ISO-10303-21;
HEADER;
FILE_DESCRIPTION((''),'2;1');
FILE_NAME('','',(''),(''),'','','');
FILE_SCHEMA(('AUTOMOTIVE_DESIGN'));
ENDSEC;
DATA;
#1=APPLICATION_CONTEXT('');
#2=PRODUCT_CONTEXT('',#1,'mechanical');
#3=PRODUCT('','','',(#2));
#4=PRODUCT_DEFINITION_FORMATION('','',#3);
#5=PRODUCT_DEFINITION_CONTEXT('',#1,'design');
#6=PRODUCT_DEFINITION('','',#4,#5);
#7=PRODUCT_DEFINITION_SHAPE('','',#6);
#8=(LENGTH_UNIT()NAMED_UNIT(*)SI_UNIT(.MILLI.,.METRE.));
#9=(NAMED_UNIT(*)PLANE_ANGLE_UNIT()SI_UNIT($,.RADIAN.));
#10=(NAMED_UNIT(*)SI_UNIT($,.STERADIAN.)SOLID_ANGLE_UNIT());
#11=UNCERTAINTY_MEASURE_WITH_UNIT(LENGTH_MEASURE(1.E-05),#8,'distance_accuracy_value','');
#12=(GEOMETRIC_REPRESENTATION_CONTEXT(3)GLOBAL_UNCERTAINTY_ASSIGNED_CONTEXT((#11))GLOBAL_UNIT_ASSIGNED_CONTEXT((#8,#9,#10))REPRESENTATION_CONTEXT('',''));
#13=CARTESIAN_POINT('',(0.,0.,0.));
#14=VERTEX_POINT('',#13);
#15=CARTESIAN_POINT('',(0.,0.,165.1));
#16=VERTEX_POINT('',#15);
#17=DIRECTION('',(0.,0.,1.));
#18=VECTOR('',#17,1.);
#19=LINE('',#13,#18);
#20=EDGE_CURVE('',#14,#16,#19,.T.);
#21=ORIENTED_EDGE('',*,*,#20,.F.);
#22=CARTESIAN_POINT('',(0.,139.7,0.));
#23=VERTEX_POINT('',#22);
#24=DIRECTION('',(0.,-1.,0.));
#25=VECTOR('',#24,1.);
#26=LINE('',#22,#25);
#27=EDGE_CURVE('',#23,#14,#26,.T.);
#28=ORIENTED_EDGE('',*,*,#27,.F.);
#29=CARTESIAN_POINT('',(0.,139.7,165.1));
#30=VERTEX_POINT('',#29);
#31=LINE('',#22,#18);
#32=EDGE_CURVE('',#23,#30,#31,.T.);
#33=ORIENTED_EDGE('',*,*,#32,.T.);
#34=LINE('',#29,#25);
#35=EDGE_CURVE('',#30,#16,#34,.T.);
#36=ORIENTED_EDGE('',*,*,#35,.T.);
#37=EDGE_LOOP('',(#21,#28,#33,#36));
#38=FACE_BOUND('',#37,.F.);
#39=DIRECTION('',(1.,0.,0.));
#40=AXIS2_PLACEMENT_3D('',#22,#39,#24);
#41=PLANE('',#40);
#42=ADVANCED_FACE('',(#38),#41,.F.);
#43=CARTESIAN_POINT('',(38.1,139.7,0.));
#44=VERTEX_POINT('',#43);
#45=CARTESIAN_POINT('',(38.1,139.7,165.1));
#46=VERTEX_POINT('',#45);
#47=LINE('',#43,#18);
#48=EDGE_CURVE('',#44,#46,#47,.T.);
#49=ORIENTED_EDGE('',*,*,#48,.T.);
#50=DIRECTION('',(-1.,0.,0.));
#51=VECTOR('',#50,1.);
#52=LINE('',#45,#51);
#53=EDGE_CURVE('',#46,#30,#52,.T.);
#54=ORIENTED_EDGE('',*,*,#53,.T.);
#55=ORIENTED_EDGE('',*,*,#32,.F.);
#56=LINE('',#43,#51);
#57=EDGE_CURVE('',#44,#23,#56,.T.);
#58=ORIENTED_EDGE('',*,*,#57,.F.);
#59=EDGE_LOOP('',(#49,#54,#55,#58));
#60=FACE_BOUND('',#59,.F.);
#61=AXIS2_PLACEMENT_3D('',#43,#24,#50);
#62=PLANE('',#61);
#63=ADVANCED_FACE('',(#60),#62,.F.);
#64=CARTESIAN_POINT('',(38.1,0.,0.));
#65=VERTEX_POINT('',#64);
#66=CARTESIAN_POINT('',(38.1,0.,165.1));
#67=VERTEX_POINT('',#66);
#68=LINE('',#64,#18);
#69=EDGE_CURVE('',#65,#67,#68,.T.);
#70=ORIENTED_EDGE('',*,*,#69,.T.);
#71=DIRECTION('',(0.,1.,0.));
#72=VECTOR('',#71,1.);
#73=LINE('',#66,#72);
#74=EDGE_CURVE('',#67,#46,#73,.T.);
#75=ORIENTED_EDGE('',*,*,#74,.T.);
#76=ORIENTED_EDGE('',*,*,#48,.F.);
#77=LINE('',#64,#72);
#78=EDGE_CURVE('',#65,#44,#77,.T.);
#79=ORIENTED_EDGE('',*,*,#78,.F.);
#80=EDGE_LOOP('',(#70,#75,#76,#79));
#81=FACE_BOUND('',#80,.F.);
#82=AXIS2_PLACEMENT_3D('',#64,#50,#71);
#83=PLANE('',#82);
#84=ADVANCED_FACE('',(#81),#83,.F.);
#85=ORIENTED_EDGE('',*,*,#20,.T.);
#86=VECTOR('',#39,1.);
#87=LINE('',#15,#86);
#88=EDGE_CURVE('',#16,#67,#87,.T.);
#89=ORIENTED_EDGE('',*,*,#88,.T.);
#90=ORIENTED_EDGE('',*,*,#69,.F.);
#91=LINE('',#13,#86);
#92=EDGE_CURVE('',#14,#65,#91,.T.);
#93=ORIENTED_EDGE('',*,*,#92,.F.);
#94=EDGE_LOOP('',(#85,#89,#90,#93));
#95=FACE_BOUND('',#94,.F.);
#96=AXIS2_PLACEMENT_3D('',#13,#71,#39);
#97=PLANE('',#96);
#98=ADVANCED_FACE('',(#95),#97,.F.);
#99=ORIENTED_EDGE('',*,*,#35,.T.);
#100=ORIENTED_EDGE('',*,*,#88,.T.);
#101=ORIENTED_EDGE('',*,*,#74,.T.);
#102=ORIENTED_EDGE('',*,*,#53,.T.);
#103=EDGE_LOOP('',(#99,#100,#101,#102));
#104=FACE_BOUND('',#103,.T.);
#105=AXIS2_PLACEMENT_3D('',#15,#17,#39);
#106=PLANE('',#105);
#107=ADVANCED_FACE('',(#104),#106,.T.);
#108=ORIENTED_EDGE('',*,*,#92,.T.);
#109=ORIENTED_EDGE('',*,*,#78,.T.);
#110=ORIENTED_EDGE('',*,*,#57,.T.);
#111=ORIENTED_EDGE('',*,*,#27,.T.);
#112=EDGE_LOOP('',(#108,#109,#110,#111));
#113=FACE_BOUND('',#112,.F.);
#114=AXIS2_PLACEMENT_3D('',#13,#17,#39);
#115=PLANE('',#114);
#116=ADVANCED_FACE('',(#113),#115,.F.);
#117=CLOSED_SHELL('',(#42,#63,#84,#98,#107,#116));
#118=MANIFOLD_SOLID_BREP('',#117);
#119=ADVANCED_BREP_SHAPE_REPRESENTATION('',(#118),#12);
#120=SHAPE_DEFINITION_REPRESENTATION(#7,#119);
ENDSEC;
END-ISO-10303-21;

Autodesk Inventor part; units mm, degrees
ref_plane "YZ Plane" through (0, 0, 0) normal (1, 0, 0) x (0, 1, 0)
ref_plane "XZ Plane" through (0, 0, 0) normal (0, 1, 0) x (-1, 0, 0)
ref_plane "XY Plane" through (0, 0, 0) normal (0, 0, 1) x (1, 0, 0)
sketch "Sketch1" plane through (0, 0, 0) normal (0, 0, 1) x (1, 0, 0)
  line L0 (0, 0) -> (38.1, 0)
  line L1 (38.1, 0) -> (38.1, 139.7)
  line L2 (38.1, 139.7) -> (0, 139.7)
  line L3 (0, 139.7) -> (0, 0)
  dimension "d0" = 38.1
  dimension "d1" = 139.7
extrude "Extrusion1" add sketch "Sketch1" along normal blind 165.1
properties part number "Joist_With_Length_6.5_Inches" material "Wood (Birch)"
